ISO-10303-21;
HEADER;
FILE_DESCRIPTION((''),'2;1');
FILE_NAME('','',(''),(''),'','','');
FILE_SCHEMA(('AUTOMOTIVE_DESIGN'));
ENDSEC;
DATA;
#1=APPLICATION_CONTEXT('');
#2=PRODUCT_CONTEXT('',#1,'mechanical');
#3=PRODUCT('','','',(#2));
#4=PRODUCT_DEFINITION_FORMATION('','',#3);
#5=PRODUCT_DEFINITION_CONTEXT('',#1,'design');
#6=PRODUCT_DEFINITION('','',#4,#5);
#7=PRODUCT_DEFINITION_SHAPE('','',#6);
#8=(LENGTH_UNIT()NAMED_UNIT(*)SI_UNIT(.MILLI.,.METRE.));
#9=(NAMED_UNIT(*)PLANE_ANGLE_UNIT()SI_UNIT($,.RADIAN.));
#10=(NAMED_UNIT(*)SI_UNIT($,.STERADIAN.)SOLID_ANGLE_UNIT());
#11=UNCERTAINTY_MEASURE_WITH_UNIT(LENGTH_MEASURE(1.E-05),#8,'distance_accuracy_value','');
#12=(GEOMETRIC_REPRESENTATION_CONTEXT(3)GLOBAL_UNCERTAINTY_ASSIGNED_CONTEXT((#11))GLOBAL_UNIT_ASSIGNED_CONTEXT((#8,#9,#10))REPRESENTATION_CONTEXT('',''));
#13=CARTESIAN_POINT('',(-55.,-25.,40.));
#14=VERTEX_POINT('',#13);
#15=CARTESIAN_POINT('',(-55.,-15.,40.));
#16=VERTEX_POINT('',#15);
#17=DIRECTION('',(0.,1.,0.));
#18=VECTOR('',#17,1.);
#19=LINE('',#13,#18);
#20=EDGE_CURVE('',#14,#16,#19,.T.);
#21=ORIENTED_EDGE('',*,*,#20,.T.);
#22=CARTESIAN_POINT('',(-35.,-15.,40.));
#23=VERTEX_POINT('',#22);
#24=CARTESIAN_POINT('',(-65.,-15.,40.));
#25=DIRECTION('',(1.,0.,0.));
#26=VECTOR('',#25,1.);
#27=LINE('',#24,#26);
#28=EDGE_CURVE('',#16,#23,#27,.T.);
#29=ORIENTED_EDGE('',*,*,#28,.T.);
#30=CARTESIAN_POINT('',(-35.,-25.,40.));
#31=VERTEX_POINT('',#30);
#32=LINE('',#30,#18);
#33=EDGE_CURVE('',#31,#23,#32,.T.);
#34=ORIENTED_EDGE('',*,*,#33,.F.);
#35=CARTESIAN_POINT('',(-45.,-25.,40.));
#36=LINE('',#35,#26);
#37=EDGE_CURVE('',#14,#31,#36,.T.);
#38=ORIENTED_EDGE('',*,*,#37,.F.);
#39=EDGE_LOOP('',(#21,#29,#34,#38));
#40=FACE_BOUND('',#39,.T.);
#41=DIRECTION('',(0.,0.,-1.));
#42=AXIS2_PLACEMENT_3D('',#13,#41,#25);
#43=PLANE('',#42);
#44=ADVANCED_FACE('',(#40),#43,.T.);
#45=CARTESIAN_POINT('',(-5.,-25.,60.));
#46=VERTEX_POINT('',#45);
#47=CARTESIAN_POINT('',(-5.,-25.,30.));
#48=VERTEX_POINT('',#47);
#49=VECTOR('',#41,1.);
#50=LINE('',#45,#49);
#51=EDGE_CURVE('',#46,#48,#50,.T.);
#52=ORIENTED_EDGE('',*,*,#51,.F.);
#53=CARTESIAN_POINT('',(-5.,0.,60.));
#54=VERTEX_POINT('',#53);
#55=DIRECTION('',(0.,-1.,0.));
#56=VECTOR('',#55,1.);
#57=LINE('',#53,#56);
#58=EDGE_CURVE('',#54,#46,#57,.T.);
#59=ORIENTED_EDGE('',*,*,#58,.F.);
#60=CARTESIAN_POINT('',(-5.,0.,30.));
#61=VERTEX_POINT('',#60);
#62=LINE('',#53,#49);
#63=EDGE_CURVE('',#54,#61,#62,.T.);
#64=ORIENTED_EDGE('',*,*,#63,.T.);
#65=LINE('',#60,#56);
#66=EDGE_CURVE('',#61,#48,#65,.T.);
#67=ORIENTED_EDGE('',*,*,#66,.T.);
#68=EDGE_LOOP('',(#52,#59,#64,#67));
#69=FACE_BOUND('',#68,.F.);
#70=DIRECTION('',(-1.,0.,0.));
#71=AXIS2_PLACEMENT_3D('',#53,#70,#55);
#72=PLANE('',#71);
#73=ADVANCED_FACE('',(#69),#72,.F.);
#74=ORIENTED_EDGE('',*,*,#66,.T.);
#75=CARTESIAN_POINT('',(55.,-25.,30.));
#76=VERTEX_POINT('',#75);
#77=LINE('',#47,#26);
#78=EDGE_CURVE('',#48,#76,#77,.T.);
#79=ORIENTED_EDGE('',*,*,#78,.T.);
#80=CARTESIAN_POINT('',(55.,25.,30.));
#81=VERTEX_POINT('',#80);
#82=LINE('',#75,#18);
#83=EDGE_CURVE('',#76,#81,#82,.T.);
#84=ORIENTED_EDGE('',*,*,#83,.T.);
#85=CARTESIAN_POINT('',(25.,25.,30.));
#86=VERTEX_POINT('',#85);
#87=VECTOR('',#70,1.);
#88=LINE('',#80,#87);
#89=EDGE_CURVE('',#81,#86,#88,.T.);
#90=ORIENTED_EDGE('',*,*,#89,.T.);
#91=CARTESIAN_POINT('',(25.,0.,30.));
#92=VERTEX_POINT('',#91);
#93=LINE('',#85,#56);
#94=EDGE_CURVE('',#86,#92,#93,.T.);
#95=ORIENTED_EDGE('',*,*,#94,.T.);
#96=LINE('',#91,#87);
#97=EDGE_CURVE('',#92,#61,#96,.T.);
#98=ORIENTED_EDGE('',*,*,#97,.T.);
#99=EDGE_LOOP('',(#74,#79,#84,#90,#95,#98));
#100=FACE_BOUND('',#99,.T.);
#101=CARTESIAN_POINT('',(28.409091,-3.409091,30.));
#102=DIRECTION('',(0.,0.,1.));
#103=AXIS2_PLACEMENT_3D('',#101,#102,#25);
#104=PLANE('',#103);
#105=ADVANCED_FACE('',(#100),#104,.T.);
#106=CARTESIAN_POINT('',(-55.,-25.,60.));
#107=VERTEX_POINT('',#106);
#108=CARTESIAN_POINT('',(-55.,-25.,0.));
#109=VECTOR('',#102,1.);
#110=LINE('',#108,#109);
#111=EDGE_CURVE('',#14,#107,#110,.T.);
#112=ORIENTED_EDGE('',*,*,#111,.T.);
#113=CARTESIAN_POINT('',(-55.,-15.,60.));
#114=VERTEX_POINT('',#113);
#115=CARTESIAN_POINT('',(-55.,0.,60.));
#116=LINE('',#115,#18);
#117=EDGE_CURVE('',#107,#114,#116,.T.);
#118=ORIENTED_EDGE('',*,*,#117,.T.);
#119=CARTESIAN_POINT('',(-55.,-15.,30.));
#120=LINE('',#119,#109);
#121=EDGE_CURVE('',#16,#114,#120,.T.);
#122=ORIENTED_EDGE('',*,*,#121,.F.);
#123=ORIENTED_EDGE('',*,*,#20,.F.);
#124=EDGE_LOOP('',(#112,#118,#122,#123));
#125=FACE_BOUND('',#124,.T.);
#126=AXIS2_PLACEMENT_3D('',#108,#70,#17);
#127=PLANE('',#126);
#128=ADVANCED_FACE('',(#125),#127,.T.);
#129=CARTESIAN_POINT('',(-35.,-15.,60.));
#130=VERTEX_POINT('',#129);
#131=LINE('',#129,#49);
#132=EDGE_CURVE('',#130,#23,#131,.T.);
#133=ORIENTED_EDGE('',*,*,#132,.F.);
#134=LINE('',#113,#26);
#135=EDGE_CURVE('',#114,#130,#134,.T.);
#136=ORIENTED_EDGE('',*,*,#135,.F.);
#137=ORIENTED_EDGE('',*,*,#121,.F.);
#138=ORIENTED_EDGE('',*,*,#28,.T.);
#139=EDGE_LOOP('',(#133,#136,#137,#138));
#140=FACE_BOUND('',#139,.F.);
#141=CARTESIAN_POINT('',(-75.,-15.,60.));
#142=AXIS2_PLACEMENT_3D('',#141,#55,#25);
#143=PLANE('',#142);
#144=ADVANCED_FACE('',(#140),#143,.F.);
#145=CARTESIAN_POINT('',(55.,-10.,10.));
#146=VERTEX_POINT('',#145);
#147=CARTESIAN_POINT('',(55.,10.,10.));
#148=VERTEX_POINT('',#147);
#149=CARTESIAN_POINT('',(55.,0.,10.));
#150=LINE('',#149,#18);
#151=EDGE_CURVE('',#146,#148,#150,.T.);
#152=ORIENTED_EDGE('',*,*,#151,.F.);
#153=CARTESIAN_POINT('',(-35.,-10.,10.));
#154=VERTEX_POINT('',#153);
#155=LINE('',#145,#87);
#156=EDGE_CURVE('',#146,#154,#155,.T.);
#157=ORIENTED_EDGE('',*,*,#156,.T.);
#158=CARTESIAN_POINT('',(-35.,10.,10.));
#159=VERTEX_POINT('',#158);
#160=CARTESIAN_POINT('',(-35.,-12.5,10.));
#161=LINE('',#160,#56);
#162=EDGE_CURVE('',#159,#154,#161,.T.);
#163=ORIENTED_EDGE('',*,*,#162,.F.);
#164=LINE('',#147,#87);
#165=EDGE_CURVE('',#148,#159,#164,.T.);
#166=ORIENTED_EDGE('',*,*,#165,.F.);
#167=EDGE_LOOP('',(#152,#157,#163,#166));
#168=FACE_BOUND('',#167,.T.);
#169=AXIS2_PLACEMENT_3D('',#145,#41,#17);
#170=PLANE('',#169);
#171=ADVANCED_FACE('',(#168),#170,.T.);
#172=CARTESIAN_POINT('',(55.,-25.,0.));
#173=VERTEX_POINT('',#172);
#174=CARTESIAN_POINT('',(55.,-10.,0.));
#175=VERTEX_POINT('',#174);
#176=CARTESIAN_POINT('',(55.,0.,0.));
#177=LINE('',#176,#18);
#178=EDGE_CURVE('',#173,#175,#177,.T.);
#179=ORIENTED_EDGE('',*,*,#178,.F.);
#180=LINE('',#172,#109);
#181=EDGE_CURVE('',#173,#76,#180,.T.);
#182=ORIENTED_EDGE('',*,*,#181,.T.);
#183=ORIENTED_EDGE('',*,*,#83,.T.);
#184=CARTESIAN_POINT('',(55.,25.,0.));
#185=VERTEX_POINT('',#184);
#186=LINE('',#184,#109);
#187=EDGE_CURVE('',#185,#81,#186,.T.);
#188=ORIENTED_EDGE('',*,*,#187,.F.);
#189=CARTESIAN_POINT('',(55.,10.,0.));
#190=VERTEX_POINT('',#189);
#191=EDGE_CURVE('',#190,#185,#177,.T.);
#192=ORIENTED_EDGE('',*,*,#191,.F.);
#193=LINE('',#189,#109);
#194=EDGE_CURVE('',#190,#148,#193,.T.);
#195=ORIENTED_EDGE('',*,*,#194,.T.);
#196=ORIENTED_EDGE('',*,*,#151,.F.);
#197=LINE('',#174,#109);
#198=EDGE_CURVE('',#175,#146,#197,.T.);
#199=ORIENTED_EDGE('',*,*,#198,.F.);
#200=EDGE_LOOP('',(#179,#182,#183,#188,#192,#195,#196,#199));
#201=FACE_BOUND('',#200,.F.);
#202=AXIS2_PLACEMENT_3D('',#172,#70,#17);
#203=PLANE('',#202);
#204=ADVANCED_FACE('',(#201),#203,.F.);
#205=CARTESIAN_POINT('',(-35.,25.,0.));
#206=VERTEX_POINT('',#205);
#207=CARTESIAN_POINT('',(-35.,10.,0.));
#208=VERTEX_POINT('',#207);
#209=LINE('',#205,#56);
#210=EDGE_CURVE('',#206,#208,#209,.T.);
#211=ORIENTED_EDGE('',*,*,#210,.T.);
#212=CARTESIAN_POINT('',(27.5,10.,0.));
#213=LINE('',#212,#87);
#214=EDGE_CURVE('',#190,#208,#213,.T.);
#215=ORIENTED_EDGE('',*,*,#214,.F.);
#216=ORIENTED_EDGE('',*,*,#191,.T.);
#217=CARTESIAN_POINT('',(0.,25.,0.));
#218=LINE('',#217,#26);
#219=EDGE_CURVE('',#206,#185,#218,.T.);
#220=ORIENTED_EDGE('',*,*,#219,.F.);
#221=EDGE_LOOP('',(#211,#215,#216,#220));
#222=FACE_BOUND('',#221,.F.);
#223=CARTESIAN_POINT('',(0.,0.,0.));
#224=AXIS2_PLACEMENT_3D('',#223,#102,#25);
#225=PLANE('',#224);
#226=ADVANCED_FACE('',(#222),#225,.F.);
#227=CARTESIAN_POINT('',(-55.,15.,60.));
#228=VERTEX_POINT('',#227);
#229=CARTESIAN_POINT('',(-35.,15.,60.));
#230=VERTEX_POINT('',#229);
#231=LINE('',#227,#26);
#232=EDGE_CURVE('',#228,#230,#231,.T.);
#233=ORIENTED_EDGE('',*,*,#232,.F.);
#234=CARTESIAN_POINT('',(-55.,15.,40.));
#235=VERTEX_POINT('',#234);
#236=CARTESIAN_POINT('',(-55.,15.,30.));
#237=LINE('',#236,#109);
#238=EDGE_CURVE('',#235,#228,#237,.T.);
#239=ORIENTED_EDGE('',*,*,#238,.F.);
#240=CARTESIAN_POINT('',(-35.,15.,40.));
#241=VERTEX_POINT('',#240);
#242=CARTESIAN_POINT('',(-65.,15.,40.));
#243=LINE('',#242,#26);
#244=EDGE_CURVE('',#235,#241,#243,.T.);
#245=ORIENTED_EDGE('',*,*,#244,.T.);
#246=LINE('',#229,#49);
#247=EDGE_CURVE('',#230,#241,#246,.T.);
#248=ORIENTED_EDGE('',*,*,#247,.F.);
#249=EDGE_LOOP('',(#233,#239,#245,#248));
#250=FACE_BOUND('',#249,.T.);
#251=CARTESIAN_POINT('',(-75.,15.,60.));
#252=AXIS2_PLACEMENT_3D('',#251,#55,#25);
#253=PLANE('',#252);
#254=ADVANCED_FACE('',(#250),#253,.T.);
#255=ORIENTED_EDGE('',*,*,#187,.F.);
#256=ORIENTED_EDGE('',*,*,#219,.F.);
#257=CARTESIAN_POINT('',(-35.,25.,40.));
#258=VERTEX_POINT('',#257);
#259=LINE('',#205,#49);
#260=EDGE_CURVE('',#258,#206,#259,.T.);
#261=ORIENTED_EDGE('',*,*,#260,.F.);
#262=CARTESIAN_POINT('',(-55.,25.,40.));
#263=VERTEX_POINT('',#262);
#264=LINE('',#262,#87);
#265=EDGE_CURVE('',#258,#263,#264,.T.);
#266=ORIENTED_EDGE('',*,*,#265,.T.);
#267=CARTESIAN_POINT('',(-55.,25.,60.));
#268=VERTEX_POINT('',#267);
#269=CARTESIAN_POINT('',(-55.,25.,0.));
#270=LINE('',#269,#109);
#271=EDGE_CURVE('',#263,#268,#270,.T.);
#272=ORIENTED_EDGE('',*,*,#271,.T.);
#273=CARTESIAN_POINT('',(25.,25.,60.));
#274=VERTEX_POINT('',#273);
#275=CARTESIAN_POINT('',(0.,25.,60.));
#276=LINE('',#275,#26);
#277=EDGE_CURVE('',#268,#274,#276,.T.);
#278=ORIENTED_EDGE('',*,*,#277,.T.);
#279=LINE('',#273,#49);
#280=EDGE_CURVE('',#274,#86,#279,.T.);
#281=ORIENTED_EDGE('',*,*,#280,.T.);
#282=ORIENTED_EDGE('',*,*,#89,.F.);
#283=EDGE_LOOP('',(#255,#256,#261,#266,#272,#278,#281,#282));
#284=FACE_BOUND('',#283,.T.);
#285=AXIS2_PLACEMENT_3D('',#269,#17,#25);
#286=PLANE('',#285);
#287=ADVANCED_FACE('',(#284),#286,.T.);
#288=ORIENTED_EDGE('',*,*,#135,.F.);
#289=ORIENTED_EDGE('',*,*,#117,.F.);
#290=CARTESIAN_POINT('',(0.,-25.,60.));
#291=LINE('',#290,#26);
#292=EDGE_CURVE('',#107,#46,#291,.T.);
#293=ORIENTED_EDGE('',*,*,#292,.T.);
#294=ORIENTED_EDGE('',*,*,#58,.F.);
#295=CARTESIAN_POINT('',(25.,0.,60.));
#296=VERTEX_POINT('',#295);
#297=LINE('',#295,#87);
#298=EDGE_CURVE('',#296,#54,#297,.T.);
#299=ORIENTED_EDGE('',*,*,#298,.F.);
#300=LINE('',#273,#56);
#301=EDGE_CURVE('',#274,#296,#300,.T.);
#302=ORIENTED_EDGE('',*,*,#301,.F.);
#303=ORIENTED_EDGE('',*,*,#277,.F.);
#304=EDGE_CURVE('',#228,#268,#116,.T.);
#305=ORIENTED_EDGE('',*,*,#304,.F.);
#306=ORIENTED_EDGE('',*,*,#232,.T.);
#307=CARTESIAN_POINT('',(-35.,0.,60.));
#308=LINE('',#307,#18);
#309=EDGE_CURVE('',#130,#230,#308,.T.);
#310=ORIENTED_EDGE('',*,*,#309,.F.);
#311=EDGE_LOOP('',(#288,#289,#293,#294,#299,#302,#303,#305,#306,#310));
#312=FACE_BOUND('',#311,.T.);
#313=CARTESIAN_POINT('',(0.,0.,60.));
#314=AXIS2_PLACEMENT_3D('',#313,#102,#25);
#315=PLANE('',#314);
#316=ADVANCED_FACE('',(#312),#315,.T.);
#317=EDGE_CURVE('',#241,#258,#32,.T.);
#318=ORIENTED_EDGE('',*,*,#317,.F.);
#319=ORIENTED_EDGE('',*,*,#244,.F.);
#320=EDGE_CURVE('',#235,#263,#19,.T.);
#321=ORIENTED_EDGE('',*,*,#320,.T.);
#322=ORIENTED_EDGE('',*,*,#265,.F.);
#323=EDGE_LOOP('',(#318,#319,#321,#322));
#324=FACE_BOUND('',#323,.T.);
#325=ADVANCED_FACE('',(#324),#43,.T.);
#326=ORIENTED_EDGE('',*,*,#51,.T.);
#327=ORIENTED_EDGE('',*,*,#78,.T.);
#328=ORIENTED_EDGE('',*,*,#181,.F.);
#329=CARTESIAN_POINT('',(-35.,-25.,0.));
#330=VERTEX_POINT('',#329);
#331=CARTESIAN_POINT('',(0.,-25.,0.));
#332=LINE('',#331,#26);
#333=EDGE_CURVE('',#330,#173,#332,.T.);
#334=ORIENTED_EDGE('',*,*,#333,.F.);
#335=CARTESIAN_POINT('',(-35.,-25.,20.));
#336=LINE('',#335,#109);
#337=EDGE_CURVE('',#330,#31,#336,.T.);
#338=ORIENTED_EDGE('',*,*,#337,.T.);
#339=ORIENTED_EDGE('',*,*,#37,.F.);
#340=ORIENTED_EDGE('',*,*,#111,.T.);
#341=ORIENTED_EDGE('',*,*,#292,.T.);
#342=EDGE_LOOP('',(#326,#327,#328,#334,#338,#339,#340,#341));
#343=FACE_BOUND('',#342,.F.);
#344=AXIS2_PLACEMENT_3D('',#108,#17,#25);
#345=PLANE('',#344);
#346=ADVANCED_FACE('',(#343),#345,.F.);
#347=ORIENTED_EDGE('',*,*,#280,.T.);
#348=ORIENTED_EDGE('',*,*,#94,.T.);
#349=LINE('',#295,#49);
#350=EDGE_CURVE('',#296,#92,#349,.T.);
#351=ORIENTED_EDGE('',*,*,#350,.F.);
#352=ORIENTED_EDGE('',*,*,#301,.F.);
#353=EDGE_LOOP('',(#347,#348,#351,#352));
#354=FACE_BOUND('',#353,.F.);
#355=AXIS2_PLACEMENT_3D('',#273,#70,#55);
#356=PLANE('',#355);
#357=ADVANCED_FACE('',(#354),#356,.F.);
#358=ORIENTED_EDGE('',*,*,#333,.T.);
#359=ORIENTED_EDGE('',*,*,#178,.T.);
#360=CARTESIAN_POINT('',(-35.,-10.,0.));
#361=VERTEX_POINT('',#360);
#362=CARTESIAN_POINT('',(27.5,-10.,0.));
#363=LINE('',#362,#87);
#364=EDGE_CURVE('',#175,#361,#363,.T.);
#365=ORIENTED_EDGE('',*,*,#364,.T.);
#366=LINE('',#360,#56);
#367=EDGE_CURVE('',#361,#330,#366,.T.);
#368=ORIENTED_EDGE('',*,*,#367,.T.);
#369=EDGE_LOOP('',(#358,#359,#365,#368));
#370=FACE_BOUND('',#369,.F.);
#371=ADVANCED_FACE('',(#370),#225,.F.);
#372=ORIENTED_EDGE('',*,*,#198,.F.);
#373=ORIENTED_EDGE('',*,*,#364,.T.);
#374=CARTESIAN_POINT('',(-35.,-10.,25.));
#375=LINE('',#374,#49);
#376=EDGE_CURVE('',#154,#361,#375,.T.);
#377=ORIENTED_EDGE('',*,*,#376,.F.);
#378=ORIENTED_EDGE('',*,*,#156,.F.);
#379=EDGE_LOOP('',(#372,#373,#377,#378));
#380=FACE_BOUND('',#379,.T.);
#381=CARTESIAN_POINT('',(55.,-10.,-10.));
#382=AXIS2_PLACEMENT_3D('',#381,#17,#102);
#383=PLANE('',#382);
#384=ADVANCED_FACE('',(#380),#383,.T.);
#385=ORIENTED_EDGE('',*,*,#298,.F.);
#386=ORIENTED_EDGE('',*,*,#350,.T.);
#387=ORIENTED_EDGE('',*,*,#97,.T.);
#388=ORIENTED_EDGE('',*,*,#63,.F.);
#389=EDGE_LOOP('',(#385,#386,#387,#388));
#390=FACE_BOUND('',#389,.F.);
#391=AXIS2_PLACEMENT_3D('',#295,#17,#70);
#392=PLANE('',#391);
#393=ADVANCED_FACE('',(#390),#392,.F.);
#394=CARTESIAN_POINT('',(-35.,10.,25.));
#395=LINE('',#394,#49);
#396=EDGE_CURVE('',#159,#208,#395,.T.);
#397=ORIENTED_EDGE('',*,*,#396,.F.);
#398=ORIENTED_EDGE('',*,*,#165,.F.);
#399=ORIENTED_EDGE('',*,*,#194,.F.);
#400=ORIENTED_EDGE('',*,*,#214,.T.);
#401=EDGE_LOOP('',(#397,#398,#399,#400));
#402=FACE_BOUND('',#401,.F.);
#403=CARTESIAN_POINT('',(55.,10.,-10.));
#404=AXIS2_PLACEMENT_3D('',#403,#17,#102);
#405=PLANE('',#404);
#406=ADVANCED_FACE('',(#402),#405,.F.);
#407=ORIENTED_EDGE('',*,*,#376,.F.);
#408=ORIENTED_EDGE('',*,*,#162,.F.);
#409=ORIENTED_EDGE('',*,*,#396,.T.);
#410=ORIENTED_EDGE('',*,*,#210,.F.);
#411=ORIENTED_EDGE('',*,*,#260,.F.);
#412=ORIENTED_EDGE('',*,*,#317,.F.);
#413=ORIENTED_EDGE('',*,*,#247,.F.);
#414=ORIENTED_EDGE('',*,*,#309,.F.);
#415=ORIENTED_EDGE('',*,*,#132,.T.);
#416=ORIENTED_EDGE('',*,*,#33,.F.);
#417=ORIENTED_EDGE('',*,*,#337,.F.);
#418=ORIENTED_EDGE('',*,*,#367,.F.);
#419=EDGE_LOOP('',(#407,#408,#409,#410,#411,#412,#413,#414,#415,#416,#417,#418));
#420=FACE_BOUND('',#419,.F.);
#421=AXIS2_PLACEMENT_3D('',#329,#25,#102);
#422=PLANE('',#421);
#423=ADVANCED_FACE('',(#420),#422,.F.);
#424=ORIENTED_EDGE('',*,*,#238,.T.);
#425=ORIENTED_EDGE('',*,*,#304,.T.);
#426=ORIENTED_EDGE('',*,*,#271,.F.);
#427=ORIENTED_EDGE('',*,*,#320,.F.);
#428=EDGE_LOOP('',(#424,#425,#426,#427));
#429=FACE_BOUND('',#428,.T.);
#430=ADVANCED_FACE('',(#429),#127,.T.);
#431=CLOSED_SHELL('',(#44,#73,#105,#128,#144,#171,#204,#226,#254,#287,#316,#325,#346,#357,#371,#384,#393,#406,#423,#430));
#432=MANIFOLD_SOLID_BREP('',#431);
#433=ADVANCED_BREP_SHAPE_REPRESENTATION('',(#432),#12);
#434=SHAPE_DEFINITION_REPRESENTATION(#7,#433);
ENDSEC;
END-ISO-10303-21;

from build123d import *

# Parameters (mm, degrees)
F0_W     = 110
F0_H     = 50
F1_DEPTH = 60
F3_DEPTH = 30
F4_W     = 20
F4_H     = 20
F5_DEPTH = 110.001
F6_W     = 40
F6_H     = 30
F7_DEPTH = 60.001
F8_W     = 20
F8_H     = 40
F9_DEPTH = 50.001


with BuildPart() as f1:
    # F0 (on Top) → F1 (new body)
    with BuildSketch(Plane.XY):
        Rectangle(F0_W, F0_H)
    extrude(amount=F1_DEPTH)

    # F2 (on face) → F3 (cut)
    with BuildSketch(Plane.XY.offset(60)):
        Polygon((55, 25), (25, 25), (25, 0), (-5, 0), (-5, -25), (55, -25), align=None)
    extrude(amount=-F3_DEPTH, mode=Mode.SUBTRACT)

    # F4 (on face) → F5 (cut, through all)
    with BuildSketch(Plane.YZ.offset(55)):
        Rectangle(F4_W, F4_H)
    extrude(amount=-F5_DEPTH, mode=Mode.SUBTRACT)

    # F6 (on face) → F7 (cut, through all)
    with BuildSketch(Plane.XY.offset(60)):
        with Locations((-55, 0)):
            Rectangle(F6_W, F6_H)
    extrude(amount=-F7_DEPTH, mode=Mode.SUBTRACT)

    # F8 (on face) → F9 (cut, through all)
    with BuildSketch(Plane.XZ.offset(25)):
        with Locations((-45, 20)):
            Rectangle(F8_W, F8_H)
    extrude(amount=-F9_DEPTH, mode=Mode.SUBTRACT)


solid = f1.part
